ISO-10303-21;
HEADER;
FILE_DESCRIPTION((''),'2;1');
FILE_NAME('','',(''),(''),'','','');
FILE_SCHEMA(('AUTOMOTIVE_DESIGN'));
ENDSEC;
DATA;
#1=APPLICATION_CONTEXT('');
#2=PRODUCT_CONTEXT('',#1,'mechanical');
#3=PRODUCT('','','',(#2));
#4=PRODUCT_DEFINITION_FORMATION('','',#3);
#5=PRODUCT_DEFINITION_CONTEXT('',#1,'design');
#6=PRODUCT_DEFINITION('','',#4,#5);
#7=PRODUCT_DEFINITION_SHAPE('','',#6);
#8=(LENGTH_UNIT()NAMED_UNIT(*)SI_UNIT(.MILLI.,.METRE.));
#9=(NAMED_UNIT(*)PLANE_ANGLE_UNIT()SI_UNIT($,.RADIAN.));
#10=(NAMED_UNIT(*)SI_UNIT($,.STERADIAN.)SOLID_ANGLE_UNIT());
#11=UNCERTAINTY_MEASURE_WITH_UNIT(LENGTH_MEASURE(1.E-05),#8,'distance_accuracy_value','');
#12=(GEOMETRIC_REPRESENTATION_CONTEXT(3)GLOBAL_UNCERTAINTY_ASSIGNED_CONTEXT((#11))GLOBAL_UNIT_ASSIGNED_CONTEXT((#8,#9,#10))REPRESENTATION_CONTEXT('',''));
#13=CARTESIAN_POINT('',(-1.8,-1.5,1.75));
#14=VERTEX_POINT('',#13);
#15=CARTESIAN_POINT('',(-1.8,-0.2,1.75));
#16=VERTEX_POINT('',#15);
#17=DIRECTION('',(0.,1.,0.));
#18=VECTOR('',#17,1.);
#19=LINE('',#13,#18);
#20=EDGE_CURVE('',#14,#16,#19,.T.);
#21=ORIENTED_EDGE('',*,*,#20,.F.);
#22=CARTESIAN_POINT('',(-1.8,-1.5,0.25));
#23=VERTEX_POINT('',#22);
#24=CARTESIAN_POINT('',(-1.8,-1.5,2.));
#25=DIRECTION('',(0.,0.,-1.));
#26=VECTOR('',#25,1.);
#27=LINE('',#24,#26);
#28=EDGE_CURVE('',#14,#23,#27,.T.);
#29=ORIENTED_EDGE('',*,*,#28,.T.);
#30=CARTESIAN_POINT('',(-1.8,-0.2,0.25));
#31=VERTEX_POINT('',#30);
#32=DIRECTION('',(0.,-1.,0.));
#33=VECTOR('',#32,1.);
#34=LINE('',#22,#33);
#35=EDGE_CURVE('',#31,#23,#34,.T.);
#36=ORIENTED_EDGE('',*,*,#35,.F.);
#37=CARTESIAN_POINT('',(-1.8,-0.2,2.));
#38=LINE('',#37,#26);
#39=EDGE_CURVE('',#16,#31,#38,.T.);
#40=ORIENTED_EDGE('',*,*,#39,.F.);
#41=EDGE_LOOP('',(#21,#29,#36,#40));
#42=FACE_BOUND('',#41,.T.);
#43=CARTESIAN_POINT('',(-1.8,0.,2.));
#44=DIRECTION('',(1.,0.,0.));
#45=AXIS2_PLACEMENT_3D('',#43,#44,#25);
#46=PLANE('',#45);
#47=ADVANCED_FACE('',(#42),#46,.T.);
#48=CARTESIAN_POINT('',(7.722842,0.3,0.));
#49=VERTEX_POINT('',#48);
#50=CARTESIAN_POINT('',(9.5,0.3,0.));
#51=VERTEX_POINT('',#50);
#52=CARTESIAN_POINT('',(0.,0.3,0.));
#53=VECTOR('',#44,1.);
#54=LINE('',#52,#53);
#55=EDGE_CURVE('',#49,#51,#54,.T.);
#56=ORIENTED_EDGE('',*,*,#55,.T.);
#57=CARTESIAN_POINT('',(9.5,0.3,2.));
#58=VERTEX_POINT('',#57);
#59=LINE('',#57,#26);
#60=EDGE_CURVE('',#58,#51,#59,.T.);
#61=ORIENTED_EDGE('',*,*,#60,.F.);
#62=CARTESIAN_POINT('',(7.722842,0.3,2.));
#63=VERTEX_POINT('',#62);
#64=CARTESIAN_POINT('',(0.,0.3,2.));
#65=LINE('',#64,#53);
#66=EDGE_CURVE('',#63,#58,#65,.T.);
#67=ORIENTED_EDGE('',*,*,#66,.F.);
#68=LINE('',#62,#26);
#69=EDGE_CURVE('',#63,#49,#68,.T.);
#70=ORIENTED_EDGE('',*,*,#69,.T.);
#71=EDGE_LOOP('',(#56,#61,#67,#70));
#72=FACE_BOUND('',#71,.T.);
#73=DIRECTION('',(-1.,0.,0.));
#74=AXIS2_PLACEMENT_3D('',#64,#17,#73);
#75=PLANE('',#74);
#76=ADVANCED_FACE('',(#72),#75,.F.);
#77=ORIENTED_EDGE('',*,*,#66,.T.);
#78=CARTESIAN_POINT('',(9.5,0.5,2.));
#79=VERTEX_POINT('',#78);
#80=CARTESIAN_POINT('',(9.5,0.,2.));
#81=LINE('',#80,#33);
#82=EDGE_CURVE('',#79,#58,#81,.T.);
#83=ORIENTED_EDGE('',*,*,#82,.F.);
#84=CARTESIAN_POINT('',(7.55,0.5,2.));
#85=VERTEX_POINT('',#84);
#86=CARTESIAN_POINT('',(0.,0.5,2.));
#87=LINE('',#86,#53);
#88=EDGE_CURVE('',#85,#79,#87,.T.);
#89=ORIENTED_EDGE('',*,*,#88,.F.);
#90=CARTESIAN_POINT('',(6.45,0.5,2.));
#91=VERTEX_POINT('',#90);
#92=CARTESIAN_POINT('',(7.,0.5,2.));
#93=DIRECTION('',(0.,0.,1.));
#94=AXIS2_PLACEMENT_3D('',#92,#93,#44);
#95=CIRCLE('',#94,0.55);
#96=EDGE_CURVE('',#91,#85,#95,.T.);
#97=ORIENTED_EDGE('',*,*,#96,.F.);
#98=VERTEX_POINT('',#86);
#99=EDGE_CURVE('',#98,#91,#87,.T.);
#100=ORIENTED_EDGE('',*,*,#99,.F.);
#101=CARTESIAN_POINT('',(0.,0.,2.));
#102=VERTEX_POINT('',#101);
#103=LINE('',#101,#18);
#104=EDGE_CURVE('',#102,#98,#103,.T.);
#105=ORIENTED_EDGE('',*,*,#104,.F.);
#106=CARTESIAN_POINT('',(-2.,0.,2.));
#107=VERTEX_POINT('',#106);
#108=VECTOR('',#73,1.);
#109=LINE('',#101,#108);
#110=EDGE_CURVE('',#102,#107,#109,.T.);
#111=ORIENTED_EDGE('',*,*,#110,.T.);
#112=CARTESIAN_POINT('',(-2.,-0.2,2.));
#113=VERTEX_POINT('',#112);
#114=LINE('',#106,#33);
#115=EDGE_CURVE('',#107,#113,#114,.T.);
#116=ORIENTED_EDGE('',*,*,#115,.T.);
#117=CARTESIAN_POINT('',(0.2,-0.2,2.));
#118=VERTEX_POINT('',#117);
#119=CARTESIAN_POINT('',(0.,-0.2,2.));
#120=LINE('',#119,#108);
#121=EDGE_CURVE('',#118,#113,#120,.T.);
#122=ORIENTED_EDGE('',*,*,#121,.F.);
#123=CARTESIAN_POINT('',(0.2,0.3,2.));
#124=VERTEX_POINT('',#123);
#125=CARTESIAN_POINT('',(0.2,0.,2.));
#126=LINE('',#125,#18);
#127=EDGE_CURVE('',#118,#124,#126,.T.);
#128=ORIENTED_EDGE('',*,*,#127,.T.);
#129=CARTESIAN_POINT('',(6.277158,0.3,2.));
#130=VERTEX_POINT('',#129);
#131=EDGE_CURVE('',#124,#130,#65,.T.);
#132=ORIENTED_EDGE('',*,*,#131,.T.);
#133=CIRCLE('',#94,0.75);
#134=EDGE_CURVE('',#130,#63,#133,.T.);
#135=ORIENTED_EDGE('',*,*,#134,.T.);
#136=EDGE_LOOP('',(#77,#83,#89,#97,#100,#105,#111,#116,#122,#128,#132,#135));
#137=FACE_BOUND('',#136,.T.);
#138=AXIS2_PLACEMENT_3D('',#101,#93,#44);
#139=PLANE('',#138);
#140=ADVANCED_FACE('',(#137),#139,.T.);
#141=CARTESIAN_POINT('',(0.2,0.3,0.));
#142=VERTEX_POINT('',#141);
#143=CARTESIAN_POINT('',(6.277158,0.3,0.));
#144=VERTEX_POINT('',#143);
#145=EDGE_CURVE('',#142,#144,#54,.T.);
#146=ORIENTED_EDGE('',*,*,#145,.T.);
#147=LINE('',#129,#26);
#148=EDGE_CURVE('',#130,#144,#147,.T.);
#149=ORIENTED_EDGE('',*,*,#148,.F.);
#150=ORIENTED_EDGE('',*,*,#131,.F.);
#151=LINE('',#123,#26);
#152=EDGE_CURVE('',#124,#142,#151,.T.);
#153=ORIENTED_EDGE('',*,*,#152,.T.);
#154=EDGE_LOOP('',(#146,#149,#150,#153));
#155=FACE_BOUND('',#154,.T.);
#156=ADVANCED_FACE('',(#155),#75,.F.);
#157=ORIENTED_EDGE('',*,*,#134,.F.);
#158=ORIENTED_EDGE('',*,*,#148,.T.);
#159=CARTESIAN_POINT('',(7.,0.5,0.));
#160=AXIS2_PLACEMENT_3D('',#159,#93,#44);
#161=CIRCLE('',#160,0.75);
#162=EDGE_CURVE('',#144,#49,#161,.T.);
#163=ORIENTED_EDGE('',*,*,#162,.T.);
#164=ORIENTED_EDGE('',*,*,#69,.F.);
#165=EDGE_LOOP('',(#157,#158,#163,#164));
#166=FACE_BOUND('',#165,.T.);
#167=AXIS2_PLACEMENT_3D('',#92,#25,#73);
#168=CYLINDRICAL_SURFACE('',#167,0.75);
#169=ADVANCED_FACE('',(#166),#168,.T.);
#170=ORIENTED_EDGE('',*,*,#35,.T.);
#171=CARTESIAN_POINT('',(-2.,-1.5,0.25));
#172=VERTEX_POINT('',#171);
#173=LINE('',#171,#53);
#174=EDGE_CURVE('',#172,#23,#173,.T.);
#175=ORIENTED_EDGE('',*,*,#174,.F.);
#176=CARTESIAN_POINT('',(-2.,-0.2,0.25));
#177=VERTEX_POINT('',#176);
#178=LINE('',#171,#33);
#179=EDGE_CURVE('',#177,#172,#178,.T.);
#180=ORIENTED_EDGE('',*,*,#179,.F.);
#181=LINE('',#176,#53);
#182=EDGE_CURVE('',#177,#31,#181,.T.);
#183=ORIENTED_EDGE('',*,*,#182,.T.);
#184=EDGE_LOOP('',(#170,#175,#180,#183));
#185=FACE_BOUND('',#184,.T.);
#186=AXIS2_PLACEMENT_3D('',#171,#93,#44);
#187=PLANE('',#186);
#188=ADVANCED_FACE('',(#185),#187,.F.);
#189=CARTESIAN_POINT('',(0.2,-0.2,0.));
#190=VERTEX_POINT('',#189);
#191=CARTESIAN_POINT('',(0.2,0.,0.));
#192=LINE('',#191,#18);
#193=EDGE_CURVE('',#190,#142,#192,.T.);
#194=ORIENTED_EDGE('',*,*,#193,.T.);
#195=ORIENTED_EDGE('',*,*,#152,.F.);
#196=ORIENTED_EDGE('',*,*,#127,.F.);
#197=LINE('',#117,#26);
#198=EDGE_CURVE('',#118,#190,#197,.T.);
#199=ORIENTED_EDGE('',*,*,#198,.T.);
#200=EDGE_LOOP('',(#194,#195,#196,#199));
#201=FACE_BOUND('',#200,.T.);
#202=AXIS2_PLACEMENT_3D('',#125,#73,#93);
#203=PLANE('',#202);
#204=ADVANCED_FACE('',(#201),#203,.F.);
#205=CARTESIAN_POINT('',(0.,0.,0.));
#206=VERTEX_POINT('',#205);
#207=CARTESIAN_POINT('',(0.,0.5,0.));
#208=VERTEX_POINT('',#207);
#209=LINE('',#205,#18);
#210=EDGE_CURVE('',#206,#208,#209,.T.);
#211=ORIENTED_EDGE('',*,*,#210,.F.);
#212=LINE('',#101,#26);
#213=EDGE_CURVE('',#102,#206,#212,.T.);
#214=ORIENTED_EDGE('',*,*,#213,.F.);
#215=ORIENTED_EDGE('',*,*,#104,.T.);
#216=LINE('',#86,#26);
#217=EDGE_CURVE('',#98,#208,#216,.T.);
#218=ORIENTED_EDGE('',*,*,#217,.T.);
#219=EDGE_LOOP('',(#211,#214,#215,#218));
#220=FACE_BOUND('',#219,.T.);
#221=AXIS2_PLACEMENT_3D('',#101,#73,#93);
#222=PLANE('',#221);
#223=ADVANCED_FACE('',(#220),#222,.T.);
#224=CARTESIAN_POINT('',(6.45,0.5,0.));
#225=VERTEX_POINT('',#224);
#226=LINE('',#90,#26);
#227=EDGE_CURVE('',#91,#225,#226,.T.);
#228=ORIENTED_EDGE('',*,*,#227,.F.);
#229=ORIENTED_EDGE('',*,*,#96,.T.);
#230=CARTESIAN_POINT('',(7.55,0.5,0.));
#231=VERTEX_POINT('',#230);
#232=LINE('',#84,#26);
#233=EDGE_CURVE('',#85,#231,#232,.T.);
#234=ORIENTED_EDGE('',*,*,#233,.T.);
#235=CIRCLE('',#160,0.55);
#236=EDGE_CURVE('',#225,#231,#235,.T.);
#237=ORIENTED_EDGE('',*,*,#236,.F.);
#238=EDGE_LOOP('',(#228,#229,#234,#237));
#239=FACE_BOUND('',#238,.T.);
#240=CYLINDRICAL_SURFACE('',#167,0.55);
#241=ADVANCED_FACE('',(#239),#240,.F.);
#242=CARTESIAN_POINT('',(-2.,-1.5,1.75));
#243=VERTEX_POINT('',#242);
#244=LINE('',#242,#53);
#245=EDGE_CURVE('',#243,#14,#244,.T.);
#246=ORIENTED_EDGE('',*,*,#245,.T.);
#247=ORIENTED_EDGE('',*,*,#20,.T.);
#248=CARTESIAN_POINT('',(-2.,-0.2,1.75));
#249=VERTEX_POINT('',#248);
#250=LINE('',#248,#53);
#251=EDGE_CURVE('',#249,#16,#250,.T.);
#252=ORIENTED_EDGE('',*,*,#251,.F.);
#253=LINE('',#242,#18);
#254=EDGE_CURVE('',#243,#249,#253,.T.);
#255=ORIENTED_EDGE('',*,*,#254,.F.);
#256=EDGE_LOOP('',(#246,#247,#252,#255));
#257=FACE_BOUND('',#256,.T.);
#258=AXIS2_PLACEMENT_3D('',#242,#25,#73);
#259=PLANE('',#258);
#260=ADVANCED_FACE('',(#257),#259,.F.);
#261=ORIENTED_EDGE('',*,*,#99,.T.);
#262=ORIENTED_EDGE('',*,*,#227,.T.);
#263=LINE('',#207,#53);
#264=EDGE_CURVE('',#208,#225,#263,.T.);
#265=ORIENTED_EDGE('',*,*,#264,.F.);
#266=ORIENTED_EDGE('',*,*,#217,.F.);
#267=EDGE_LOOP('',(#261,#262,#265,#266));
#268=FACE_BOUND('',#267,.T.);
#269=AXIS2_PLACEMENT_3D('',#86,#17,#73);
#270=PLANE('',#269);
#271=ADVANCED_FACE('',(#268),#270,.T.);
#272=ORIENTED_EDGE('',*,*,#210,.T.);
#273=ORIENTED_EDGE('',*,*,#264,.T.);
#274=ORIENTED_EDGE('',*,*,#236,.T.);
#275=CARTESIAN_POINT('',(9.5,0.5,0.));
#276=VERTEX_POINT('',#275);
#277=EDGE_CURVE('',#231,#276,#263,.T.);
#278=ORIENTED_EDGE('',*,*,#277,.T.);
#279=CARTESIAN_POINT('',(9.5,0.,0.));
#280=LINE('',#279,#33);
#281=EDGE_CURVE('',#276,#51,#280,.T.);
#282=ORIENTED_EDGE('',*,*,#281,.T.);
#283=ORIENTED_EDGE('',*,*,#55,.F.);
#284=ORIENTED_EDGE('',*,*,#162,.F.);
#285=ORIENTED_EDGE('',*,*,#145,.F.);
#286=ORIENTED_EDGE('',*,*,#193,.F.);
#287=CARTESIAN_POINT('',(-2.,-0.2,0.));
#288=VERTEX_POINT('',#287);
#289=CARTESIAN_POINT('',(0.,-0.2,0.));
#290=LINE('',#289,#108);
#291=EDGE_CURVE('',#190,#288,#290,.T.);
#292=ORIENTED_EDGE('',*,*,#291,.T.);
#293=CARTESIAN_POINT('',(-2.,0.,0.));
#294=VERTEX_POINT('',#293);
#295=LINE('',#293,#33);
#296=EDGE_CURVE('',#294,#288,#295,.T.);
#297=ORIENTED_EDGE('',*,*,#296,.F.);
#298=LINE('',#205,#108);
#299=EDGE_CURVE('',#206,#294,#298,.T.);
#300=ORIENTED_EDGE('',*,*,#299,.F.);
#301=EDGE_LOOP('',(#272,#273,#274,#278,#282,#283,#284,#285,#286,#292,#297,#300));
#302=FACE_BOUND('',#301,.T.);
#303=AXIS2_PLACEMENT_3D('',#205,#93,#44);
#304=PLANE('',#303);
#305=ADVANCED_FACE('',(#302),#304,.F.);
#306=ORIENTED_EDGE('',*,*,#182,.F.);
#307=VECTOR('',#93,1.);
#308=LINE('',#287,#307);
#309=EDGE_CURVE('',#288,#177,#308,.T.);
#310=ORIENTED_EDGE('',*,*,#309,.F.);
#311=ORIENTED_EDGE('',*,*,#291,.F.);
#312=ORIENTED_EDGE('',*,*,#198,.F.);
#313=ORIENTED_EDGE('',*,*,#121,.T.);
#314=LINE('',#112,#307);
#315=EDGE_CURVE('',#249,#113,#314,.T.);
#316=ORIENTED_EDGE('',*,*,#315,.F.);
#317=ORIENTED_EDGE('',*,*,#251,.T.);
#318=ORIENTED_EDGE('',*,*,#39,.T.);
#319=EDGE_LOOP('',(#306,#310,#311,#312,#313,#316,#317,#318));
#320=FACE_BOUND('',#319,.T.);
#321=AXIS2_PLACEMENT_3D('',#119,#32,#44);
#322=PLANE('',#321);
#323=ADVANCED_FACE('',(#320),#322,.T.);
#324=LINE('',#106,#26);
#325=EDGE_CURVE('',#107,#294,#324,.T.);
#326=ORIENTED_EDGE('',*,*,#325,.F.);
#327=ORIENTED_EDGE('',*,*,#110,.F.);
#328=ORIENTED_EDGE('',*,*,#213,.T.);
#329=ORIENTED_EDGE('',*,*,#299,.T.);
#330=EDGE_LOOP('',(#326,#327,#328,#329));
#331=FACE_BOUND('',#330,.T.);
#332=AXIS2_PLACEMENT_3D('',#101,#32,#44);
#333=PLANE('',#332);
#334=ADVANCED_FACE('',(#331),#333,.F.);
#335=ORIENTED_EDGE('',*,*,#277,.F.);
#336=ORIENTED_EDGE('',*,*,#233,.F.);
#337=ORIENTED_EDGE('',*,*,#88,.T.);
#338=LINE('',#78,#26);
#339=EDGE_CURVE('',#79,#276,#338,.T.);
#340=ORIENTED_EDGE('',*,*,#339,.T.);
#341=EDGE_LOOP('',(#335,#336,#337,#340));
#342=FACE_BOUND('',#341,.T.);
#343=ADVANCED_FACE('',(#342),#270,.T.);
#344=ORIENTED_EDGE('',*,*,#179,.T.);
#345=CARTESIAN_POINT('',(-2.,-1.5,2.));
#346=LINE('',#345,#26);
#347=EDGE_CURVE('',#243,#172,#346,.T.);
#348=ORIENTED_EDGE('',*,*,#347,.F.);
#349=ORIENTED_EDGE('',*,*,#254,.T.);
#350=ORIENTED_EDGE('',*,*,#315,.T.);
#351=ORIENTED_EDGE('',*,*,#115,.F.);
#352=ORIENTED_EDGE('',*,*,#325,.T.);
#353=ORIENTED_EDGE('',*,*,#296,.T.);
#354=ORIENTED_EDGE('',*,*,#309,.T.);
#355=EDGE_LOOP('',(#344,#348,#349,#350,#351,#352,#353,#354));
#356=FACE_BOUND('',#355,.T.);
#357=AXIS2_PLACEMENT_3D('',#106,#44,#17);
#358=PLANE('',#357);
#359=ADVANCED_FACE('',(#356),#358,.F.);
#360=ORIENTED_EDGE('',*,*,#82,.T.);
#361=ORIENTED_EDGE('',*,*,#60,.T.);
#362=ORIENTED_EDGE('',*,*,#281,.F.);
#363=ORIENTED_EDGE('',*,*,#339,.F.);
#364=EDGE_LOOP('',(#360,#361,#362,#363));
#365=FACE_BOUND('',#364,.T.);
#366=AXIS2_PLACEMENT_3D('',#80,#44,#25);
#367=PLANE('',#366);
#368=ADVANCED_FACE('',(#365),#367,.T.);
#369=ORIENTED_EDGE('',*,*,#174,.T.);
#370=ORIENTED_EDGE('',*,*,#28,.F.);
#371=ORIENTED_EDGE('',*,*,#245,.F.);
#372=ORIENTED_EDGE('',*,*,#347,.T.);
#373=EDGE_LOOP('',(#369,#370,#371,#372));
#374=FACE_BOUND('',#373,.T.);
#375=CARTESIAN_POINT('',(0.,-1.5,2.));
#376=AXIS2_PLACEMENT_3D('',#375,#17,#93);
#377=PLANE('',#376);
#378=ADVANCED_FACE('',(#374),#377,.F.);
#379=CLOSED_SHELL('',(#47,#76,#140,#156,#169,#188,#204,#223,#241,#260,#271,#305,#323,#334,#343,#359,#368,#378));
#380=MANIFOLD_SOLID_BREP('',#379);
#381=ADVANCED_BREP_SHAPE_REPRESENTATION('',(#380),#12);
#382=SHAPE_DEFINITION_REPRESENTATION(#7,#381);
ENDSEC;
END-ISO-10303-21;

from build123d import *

# Parameters (mm, degrees)
EXTRUDE_1_DEPTH     = 2
SKETCH_3_W          = 0.25
SKETCH_3_H          = 1.3
CUT_EXTRUDE_2_DEPTH = 1.2


with BuildPart() as part:
    # 草图1 → 凸台-拉伸1 (new body)
    with BuildSketch(Plane.XY):
        with BuildLine():
            Line((0, 0), (0, 0.5))
            Line((0, 0.5), (6.45, 0.5))
            ThreePointArc((6.45, 0.5), (7, -0.05), (7.55, 0.5))
            Line((7.55, 0.5), (9.5, 0.5))
            Line((9.5, 0.5), (9.5, 0.3))
            Line((9.5, 0.3), (7.722841615, 0.3))
            ThreePointArc((7.722841615, 0.3), (7, -0.25), (6.277158385, 0.3))
            Line((6.277158385, 0.3), (0.2, 0.3))
            Line((0.2, 0.3), (0.2, -0.2))
            Line((0.2, -0.2), (-1.8, -0.2))
            Line((-1.8, -0.2), (-1.8, -1.5))
            Line((-1.8, -1.5), (-2, -1.5))
            Line((-2, -1.5), (-2, 0))
            Line((-2, 0), (0, 0))
        make_face()
    extrude(amount=EXTRUDE_1_DEPTH)

    # 草图3 → 切除-拉伸2 (cut, through all)
    with BuildSketch(Plane(origin=(-1.8, 0, 0), x_dir=(0, 0, -1), z_dir=(1, 0, 0))):
        with Locations((-1.875, -0.85)):
            Rectangle(SKETCH_3_W, SKETCH_3_H)
        with Locations((-0.125, -0.85)):
            Rectangle(SKETCH_3_W, SKETCH_3_H)
    extrude(amount=-CUT_EXTRUDE_2_DEPTH, mode=Mode.SUBTRACT)


solid = part.part
